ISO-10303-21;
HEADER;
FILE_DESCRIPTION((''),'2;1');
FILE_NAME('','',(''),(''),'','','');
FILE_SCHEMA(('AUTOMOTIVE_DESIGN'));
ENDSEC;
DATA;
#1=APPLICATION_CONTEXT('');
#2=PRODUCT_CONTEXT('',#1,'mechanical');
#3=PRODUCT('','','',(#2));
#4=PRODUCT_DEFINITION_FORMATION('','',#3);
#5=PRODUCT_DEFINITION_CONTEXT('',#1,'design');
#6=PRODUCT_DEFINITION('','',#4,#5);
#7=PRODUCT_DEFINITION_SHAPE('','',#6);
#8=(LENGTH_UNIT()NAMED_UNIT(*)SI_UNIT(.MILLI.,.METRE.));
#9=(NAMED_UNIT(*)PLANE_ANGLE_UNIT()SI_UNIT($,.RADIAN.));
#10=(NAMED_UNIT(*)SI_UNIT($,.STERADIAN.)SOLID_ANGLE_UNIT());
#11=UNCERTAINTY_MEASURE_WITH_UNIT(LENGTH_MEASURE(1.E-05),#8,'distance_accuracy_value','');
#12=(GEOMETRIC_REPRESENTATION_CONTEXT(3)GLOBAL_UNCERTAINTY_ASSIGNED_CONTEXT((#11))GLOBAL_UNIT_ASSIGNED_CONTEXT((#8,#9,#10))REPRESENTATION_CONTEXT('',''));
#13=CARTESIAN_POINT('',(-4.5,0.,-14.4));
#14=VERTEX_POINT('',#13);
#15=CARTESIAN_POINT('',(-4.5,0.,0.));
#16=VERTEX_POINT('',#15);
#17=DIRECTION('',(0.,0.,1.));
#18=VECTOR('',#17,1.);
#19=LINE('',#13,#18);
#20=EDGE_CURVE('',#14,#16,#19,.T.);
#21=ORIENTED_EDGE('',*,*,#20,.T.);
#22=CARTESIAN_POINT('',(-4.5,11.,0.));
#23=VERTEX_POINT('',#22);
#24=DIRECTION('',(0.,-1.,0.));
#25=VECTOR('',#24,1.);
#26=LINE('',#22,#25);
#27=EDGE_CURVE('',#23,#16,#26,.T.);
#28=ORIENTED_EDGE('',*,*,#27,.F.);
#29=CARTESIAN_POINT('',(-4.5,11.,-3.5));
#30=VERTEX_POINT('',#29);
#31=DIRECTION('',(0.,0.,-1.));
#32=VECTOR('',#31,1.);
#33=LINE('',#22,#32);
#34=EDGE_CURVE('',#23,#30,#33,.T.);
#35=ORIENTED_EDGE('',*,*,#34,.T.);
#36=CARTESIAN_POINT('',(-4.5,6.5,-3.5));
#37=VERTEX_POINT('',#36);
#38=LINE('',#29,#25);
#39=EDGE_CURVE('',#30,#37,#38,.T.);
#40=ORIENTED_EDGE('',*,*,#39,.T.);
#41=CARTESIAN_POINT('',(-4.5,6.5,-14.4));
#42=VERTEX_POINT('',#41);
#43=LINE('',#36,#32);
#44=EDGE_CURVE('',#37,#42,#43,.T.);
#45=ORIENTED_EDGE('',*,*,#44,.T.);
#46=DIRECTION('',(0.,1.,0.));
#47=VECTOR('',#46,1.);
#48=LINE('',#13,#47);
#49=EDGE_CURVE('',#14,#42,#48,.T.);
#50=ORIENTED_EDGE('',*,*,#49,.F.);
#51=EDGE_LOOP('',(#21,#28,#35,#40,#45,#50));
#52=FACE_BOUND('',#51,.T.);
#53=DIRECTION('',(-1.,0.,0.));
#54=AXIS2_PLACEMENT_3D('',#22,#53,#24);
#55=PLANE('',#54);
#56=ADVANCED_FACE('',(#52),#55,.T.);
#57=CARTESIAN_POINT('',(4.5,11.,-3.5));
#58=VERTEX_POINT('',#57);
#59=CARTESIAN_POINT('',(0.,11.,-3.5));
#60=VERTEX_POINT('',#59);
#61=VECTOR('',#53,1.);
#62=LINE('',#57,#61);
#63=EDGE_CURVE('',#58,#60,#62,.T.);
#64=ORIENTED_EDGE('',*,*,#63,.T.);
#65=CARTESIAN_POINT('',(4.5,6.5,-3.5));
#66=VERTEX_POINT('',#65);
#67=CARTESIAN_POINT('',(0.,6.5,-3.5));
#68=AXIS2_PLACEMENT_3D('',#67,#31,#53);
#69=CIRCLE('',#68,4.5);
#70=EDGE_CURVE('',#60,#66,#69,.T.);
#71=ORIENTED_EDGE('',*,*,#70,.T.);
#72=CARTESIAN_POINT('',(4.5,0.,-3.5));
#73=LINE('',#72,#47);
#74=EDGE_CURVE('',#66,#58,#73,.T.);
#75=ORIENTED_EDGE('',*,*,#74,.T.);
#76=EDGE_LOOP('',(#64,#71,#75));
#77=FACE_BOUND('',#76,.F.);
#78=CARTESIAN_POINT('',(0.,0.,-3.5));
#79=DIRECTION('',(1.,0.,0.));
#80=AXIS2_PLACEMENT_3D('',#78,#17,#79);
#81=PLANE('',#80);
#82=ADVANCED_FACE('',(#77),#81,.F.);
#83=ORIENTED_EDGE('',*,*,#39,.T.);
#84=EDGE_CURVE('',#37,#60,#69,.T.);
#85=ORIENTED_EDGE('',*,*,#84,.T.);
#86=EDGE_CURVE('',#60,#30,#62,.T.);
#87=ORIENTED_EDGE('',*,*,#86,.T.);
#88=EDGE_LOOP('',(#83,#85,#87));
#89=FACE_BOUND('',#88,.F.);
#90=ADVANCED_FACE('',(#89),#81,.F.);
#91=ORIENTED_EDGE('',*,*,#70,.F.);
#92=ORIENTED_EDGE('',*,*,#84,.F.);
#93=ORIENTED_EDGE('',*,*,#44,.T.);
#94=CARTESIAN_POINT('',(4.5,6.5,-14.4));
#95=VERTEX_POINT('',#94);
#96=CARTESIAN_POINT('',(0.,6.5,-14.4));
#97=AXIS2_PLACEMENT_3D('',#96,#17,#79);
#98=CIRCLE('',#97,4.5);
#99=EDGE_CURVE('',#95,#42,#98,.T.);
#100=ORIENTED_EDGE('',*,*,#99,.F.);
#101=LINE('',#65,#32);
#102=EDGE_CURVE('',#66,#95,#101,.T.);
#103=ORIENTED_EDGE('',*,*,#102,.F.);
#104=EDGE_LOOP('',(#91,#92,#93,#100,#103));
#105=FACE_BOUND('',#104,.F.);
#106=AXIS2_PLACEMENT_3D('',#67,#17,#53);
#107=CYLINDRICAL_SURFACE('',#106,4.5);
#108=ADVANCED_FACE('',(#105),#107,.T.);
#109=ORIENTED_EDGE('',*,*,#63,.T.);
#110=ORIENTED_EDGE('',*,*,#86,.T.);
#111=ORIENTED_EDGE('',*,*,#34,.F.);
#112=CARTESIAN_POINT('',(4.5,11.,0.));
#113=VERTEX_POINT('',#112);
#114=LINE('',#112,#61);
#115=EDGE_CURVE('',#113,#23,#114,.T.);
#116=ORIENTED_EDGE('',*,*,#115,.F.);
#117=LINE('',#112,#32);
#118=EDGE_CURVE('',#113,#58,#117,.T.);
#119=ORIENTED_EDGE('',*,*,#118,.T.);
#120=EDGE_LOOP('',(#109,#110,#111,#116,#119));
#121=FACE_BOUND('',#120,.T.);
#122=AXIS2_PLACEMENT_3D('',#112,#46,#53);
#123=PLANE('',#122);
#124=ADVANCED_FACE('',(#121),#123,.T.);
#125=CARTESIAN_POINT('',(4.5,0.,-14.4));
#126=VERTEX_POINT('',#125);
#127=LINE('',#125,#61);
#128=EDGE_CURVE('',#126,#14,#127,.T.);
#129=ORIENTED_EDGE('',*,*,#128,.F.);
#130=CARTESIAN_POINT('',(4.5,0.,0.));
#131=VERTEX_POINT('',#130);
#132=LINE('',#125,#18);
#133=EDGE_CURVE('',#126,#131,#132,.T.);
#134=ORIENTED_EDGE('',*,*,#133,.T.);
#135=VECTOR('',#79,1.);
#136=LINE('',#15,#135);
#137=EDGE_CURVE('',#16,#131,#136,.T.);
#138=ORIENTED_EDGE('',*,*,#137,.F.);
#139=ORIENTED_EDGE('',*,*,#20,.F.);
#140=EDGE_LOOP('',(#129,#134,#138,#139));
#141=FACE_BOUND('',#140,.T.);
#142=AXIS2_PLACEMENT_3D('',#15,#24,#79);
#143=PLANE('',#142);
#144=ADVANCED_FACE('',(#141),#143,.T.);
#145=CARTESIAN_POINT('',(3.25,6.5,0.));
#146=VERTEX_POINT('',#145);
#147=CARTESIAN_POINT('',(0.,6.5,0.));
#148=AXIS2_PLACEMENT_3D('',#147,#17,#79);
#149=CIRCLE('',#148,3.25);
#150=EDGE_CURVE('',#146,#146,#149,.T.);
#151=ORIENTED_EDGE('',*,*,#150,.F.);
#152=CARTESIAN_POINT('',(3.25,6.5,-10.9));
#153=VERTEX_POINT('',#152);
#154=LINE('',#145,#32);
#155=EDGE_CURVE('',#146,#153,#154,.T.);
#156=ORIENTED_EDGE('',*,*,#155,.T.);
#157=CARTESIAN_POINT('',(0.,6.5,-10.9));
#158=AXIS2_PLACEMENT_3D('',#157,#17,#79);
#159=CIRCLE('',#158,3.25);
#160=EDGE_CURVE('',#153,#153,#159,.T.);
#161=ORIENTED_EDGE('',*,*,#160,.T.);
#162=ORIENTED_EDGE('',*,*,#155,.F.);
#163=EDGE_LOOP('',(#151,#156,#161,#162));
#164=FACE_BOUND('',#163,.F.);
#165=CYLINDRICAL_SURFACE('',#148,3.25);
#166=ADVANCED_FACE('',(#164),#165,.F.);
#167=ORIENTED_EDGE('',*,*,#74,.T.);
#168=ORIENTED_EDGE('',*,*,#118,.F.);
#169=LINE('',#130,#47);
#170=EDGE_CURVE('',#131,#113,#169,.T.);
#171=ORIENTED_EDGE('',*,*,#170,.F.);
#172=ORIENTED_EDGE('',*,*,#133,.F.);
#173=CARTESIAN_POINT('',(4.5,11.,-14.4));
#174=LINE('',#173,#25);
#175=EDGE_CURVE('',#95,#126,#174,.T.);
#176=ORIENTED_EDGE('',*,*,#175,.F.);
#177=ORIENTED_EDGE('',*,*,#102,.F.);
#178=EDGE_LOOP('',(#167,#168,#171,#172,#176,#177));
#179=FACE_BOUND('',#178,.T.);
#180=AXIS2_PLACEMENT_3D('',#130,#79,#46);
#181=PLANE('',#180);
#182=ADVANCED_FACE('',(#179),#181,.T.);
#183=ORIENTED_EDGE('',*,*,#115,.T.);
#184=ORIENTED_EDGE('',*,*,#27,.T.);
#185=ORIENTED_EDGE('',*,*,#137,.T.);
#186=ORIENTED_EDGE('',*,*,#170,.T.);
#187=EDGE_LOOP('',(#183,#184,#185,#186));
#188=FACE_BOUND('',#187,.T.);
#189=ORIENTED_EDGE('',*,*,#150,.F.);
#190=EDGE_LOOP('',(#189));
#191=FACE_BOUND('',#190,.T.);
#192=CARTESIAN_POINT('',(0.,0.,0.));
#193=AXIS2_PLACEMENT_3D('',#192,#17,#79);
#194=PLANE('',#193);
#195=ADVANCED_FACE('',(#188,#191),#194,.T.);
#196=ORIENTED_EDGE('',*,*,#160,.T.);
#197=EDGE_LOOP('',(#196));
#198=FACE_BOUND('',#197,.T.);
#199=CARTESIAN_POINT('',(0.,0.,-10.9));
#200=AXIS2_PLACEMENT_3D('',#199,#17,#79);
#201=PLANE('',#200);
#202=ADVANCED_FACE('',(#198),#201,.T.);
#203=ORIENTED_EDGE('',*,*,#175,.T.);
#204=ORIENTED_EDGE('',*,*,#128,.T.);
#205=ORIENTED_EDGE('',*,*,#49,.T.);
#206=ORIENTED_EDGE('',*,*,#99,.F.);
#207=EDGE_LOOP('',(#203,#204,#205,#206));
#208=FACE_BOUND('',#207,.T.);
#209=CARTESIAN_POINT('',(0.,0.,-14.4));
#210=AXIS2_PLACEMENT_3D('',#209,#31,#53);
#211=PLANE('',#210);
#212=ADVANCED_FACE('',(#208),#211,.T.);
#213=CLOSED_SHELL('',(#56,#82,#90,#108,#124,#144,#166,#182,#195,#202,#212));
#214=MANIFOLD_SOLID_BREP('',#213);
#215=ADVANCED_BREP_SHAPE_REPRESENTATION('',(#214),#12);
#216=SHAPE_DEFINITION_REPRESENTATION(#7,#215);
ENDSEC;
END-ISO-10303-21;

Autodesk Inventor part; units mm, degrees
ref_plane "YZ Plane" through (0, 0, 0) normal (1, 0, 0) x (0, 1, 0)
ref_plane "XZ Plane" through (0, 0, 0) normal (0, 1, 0) x (-1, 0, 0)
ref_plane "XY Plane" through (0, 0, 0) normal (0, 0, 1) x (1, 0, 0)
sketch "Sketch1" plane through (0, 0, 0) normal (0, 0, 1) x (1, 0, 0)
  line L0 (-4.5, 0) -> (4.5, 0)
  line L1 (4.5, 0) -> (4.5, 11)
  line L2 (4.5, 11) -> (-4.5, 11)
  line L3 (-4.5, 11) -> (-4.5, 0)
  line L4 (-4.5, 0) -> (4.5, 11) construction
  line L5 (4.5, 0) -> (-4.5, 11) construction
  point P0 (0, 0)
  point P1 (0, 5.5)
  dimension "d0" = 9
  dimension "d1" = 11
  dimension "d2" = 0
  dimension "d3" = 0
extrude "Extrusion1" add sketch "Sketch1" against normal blind 3.5
sketch "Sketch2" plane through (0, 0, -3.5) normal (0, 0, -1) x (-1, 0, 0)
  line L0 (-4.5, 0) -> (4.5, 0) projected
  line L1 (4.5, 0) -> (4.5, 11) projected
  line L2 (4.5, 11) -> (-4.5, 11) projected
  line L3 (-4.5, 11) -> (-4.5, 0) projected
  arc A0 (4.5, 6.5) -> (-4.5, 6.5) centre (0, 6.5) ccw
  point P0 (0, 0)
extrude "Extrusion2" add sketch "Sketch2" along normal blind 10.9 contours L3 A0 L1 L0
sketch "Sketch3" plane through (0, 0, 0) normal (0, 0, 1) x (1, 0, 0)
  circle A0 centre (0, 6.5) radius 3.25
  point P0 (0, 0)
  dimension "d8" = 6.5
  dimension "d9" = 6.5
extrude "Extrusion3" cut sketch "Sketch3" against normal blind 10.9
properties part number "pj-002b"
